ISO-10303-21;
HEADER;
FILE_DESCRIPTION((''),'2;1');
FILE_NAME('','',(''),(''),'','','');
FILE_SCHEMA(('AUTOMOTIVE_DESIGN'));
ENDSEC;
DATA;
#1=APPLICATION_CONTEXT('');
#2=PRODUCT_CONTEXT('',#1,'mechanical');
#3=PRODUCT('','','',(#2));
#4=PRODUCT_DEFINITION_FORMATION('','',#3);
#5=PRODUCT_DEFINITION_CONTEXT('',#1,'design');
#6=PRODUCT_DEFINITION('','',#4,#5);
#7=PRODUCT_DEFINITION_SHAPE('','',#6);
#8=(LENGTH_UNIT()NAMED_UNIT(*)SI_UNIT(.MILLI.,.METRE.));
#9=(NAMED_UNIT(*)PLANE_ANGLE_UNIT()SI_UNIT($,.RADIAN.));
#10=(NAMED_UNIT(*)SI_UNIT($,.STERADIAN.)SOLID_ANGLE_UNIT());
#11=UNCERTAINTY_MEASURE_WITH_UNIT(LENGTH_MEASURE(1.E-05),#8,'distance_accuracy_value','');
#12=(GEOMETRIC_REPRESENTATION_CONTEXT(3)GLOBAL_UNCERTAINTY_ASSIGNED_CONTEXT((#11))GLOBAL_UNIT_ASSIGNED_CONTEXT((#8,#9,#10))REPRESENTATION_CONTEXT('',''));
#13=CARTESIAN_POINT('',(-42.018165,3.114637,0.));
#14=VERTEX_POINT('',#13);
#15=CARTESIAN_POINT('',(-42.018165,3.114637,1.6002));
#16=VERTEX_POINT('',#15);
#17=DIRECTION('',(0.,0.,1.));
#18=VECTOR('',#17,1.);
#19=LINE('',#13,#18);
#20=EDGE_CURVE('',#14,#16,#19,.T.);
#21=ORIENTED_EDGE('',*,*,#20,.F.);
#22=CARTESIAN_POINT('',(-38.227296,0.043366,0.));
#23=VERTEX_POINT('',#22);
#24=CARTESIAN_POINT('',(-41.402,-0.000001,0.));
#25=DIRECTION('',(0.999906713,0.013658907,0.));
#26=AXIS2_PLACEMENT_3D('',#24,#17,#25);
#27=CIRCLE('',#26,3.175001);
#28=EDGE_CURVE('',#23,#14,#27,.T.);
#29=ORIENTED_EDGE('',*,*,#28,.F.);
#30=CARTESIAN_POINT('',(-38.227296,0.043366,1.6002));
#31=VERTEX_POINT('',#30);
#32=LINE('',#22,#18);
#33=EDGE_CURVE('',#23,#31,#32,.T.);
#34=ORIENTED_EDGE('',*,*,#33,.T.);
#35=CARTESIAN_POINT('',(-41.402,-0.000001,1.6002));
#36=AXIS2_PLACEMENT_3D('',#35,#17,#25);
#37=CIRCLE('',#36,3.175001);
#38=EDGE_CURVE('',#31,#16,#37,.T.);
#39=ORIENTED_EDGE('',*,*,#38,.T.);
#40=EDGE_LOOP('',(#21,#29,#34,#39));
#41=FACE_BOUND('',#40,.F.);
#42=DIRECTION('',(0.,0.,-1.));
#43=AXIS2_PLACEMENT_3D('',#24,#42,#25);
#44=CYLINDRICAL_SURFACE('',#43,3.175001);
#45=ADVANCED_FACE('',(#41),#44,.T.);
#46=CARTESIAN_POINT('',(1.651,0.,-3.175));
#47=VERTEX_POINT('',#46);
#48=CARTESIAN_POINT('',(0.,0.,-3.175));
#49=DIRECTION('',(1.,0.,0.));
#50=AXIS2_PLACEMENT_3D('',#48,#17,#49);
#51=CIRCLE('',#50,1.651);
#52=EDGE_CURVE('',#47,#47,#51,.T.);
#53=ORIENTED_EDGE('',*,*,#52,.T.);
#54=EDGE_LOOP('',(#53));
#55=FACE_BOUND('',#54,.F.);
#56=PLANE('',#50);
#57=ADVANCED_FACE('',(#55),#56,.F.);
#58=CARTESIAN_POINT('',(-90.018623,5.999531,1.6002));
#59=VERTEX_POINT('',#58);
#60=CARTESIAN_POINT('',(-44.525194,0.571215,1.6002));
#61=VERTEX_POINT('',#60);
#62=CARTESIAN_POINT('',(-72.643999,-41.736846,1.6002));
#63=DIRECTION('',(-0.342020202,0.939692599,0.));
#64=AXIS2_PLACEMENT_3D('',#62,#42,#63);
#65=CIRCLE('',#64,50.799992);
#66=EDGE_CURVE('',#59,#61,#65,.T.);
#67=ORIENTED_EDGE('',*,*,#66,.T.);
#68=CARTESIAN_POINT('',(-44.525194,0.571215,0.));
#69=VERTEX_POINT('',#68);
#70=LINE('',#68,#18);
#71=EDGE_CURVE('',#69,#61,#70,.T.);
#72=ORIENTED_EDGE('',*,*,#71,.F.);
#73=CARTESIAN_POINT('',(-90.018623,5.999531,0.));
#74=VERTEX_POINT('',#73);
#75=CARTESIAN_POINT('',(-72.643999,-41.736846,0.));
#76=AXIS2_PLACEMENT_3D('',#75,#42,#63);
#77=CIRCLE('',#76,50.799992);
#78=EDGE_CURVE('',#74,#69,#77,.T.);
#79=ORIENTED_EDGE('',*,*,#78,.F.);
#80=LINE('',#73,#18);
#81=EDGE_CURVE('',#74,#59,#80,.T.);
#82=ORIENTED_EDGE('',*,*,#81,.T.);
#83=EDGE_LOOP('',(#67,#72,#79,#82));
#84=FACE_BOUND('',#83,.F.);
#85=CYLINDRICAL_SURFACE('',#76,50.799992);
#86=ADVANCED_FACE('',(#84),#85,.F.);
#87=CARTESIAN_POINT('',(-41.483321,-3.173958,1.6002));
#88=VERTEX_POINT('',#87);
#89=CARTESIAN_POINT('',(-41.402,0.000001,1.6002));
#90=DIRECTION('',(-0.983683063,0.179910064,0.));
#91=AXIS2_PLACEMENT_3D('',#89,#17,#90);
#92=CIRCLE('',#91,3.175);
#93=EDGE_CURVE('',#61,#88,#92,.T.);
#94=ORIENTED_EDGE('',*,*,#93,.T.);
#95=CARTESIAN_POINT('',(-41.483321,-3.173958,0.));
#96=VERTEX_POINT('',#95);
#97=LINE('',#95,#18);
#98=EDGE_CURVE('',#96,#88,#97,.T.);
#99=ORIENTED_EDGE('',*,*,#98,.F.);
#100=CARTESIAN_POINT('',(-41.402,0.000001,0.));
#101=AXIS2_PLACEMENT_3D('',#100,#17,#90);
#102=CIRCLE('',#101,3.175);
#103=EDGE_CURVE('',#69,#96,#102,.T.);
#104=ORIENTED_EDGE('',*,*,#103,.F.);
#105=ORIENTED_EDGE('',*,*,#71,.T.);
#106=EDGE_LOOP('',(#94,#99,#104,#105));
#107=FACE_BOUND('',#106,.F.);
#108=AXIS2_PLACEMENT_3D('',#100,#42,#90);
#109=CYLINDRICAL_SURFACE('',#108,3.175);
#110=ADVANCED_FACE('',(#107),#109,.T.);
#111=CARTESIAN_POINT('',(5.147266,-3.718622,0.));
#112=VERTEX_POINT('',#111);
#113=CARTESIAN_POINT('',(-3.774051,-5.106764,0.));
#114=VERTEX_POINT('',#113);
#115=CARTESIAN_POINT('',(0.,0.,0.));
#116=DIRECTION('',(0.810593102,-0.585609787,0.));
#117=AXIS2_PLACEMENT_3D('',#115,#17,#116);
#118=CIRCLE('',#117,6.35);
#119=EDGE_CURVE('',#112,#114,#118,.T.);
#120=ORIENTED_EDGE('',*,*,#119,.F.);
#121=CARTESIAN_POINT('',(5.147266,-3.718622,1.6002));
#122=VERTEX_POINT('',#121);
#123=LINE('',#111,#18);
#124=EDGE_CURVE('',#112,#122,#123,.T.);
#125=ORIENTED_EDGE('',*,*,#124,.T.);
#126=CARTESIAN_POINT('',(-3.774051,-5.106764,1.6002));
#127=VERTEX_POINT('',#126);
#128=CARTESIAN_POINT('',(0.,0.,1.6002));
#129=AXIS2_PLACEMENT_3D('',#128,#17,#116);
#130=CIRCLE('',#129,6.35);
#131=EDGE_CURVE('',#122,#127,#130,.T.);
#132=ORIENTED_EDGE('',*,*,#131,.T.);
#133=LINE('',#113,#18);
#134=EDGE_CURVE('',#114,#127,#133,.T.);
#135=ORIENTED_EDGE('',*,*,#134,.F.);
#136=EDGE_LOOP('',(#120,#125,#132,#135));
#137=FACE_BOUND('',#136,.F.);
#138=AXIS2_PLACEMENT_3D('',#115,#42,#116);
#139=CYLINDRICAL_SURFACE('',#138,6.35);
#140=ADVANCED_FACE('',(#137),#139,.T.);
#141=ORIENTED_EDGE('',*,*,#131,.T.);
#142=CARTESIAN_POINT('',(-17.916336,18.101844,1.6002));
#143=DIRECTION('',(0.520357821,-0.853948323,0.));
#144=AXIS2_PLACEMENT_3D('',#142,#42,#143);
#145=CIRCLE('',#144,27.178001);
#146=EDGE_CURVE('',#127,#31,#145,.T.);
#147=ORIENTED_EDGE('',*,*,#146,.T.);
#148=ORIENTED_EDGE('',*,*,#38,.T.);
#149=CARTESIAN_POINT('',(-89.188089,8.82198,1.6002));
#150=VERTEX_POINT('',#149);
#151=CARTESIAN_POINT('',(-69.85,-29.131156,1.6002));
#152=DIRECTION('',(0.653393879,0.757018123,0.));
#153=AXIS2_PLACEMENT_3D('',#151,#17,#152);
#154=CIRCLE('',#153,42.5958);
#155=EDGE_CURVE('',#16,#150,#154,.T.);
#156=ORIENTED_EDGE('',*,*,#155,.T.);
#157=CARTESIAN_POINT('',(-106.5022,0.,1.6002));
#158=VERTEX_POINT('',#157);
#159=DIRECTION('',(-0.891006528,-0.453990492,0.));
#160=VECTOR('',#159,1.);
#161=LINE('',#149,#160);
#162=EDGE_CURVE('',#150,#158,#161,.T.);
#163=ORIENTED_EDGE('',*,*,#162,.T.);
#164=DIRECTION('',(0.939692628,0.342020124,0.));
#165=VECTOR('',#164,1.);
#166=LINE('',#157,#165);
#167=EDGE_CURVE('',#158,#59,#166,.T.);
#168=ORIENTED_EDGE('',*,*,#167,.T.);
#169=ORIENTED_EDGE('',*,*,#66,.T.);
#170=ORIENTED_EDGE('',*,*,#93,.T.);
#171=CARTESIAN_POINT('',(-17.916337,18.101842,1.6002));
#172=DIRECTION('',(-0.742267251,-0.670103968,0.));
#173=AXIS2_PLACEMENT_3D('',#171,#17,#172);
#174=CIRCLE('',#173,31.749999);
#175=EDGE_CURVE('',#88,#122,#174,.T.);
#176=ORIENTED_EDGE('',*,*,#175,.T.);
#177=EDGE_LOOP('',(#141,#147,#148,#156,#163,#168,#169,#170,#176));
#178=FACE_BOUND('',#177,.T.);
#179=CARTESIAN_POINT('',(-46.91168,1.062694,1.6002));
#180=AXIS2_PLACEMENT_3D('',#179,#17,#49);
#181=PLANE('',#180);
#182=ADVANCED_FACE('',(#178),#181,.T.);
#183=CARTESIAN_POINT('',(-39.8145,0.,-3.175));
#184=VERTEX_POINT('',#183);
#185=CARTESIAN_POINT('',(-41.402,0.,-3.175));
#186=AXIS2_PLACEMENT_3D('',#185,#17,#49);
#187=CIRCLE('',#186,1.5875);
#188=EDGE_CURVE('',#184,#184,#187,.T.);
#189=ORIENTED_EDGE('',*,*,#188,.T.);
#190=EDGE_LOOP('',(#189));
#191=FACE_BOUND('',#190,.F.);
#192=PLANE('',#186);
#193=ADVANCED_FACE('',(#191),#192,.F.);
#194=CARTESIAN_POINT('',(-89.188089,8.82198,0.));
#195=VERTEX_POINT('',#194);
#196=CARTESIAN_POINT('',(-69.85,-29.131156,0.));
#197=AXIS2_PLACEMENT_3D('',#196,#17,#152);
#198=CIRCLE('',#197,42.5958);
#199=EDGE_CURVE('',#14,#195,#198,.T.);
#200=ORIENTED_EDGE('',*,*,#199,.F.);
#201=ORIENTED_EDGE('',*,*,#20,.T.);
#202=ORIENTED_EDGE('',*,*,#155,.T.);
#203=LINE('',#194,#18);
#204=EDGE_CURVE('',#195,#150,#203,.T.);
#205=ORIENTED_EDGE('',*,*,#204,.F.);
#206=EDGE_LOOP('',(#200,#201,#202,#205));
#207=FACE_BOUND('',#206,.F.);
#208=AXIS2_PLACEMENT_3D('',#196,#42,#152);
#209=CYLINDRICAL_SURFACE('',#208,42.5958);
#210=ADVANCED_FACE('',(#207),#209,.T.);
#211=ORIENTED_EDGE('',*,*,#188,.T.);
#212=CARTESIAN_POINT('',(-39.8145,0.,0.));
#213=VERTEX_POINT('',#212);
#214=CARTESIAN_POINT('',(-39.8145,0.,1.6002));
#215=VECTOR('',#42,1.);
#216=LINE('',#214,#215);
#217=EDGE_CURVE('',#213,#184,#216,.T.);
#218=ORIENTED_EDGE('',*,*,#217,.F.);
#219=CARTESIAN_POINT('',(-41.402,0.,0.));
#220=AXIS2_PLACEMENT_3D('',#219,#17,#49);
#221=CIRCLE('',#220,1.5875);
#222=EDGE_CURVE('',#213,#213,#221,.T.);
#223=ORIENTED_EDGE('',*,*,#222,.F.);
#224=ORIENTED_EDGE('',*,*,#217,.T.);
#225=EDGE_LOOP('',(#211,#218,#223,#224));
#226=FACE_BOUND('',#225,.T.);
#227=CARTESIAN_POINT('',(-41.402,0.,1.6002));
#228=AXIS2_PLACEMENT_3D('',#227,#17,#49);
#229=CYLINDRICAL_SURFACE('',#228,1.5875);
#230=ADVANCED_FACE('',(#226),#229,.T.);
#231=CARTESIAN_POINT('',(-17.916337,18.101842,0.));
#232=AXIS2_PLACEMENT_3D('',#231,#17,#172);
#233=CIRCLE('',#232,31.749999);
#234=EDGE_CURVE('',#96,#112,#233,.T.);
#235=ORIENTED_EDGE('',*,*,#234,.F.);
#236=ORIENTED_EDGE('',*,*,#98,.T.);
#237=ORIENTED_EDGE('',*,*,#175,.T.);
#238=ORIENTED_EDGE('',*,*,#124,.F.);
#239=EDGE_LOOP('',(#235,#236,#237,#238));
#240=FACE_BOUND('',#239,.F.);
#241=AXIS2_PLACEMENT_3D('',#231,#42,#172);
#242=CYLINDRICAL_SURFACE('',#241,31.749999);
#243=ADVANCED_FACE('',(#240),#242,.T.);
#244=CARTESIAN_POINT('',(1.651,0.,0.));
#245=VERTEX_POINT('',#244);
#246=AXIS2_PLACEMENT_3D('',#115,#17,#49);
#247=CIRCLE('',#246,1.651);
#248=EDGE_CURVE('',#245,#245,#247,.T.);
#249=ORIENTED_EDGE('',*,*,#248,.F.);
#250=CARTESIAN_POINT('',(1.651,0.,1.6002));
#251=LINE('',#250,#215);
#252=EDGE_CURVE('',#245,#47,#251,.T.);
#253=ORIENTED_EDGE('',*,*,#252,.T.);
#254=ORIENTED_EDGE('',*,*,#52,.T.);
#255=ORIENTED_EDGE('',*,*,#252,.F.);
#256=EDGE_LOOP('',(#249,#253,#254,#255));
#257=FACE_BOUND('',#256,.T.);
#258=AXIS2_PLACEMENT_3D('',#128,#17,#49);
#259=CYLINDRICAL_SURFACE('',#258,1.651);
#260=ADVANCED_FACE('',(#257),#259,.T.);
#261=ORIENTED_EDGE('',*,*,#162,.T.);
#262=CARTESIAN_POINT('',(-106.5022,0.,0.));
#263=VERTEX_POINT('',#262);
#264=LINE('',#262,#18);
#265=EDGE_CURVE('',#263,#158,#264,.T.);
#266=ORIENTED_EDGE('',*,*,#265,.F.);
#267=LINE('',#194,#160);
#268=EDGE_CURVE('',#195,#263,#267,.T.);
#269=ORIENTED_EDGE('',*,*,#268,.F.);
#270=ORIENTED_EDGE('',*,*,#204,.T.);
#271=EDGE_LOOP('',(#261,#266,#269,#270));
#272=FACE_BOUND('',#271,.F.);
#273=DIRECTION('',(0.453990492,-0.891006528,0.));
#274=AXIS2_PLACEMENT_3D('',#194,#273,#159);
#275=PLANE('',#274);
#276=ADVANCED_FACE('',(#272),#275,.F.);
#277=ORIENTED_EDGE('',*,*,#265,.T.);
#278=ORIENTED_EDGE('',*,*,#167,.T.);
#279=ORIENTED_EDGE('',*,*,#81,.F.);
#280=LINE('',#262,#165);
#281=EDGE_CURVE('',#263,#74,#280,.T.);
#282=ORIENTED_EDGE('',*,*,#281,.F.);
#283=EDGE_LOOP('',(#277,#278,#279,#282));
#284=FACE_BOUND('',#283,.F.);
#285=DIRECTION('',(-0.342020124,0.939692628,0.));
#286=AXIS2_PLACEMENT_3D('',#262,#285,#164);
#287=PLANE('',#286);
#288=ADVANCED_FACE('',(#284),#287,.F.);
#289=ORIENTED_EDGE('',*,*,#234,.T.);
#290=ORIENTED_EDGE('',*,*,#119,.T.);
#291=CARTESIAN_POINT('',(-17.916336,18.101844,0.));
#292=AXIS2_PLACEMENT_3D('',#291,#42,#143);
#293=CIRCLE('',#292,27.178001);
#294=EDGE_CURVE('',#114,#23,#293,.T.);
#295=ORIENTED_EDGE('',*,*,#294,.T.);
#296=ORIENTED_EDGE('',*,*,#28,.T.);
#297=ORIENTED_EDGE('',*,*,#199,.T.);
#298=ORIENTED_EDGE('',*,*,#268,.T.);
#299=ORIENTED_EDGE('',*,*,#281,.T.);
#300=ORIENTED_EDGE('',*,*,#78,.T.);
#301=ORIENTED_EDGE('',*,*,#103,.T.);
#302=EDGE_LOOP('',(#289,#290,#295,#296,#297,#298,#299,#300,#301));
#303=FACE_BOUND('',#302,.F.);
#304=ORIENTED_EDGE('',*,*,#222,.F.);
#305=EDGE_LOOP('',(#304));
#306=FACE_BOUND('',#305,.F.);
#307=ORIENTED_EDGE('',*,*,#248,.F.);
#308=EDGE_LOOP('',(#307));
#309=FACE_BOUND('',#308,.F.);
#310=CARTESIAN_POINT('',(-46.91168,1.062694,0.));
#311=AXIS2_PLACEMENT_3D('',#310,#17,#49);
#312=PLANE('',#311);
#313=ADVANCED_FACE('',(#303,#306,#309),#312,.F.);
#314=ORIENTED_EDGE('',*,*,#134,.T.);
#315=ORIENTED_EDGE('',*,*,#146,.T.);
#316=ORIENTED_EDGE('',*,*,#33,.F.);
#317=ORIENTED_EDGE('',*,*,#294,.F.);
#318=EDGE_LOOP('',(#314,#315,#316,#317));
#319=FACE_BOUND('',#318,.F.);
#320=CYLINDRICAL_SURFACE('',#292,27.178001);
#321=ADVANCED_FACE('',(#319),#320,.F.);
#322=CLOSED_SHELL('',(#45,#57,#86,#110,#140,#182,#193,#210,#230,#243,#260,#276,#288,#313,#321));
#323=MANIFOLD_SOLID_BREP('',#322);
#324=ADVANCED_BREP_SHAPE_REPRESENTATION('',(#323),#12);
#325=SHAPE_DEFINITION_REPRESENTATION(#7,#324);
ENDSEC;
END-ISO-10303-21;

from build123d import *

# Parameters (mm, degrees)
F0_R     = 1.5875
F0_R_2   = 1.651
F1_DEPTH = 1.6002
F2_R     = 1.5875
F2_R_2   = 1.651
F3_DEPTH = 4.7752


with BuildPart() as f1:
    # F0 (on Top) → F1 (new body)
    with BuildSketch(Plane.XY):
        with BuildLine():
            ThreePointArc((-3.774051, -5.106764), (-21.934308, -8.777509), (-38.227296, 0.043366))
            ThreePointArc((-38.227296, 0.043366), (-39.403324, 2.466965), (-42.018165, 3.114637))
            ThreePointArc((-42.018165, 3.114637), (-64.733422, 13.156228), (-89.188089, 8.82198))
            Line((-89.188089, 8.82198), (-106.5022, 0))
            Line((-106.5022, 0), (-90.018623, 5.999531))
            ThreePointArc((-90.018623, 5.999531), (-66.625194, 8.705331), (-44.525194, 0.571215))
            ThreePointArc((-44.525194, 0.571215), (-43.86651, -2.001703), (-41.483321, -3.173958))
            ThreePointArc((-41.483321, -3.173958), (-18.287164, -13.645991), (5.147266, -3.718622))
            ThreePointArc((5.147266, -3.718622), (-0.976301, 6.274499), (-3.774051, -5.106764))
        make_face()
        with Locations((-41.402, 0)):
            Circle(F0_R, mode=Mode.SUBTRACT)
        Circle(F0_R_2, mode=Mode.SUBTRACT)
    extrude(amount=F1_DEPTH)

    # F2 (on face) → F3 (join)
    with BuildSketch(Plane.XY.offset(1.6002)):
        with Locations((-41.402, 0)):
            Circle(F2_R)
        Circle(F2_R_2)
    extrude(amount=-F3_DEPTH)


solid = f1.part
